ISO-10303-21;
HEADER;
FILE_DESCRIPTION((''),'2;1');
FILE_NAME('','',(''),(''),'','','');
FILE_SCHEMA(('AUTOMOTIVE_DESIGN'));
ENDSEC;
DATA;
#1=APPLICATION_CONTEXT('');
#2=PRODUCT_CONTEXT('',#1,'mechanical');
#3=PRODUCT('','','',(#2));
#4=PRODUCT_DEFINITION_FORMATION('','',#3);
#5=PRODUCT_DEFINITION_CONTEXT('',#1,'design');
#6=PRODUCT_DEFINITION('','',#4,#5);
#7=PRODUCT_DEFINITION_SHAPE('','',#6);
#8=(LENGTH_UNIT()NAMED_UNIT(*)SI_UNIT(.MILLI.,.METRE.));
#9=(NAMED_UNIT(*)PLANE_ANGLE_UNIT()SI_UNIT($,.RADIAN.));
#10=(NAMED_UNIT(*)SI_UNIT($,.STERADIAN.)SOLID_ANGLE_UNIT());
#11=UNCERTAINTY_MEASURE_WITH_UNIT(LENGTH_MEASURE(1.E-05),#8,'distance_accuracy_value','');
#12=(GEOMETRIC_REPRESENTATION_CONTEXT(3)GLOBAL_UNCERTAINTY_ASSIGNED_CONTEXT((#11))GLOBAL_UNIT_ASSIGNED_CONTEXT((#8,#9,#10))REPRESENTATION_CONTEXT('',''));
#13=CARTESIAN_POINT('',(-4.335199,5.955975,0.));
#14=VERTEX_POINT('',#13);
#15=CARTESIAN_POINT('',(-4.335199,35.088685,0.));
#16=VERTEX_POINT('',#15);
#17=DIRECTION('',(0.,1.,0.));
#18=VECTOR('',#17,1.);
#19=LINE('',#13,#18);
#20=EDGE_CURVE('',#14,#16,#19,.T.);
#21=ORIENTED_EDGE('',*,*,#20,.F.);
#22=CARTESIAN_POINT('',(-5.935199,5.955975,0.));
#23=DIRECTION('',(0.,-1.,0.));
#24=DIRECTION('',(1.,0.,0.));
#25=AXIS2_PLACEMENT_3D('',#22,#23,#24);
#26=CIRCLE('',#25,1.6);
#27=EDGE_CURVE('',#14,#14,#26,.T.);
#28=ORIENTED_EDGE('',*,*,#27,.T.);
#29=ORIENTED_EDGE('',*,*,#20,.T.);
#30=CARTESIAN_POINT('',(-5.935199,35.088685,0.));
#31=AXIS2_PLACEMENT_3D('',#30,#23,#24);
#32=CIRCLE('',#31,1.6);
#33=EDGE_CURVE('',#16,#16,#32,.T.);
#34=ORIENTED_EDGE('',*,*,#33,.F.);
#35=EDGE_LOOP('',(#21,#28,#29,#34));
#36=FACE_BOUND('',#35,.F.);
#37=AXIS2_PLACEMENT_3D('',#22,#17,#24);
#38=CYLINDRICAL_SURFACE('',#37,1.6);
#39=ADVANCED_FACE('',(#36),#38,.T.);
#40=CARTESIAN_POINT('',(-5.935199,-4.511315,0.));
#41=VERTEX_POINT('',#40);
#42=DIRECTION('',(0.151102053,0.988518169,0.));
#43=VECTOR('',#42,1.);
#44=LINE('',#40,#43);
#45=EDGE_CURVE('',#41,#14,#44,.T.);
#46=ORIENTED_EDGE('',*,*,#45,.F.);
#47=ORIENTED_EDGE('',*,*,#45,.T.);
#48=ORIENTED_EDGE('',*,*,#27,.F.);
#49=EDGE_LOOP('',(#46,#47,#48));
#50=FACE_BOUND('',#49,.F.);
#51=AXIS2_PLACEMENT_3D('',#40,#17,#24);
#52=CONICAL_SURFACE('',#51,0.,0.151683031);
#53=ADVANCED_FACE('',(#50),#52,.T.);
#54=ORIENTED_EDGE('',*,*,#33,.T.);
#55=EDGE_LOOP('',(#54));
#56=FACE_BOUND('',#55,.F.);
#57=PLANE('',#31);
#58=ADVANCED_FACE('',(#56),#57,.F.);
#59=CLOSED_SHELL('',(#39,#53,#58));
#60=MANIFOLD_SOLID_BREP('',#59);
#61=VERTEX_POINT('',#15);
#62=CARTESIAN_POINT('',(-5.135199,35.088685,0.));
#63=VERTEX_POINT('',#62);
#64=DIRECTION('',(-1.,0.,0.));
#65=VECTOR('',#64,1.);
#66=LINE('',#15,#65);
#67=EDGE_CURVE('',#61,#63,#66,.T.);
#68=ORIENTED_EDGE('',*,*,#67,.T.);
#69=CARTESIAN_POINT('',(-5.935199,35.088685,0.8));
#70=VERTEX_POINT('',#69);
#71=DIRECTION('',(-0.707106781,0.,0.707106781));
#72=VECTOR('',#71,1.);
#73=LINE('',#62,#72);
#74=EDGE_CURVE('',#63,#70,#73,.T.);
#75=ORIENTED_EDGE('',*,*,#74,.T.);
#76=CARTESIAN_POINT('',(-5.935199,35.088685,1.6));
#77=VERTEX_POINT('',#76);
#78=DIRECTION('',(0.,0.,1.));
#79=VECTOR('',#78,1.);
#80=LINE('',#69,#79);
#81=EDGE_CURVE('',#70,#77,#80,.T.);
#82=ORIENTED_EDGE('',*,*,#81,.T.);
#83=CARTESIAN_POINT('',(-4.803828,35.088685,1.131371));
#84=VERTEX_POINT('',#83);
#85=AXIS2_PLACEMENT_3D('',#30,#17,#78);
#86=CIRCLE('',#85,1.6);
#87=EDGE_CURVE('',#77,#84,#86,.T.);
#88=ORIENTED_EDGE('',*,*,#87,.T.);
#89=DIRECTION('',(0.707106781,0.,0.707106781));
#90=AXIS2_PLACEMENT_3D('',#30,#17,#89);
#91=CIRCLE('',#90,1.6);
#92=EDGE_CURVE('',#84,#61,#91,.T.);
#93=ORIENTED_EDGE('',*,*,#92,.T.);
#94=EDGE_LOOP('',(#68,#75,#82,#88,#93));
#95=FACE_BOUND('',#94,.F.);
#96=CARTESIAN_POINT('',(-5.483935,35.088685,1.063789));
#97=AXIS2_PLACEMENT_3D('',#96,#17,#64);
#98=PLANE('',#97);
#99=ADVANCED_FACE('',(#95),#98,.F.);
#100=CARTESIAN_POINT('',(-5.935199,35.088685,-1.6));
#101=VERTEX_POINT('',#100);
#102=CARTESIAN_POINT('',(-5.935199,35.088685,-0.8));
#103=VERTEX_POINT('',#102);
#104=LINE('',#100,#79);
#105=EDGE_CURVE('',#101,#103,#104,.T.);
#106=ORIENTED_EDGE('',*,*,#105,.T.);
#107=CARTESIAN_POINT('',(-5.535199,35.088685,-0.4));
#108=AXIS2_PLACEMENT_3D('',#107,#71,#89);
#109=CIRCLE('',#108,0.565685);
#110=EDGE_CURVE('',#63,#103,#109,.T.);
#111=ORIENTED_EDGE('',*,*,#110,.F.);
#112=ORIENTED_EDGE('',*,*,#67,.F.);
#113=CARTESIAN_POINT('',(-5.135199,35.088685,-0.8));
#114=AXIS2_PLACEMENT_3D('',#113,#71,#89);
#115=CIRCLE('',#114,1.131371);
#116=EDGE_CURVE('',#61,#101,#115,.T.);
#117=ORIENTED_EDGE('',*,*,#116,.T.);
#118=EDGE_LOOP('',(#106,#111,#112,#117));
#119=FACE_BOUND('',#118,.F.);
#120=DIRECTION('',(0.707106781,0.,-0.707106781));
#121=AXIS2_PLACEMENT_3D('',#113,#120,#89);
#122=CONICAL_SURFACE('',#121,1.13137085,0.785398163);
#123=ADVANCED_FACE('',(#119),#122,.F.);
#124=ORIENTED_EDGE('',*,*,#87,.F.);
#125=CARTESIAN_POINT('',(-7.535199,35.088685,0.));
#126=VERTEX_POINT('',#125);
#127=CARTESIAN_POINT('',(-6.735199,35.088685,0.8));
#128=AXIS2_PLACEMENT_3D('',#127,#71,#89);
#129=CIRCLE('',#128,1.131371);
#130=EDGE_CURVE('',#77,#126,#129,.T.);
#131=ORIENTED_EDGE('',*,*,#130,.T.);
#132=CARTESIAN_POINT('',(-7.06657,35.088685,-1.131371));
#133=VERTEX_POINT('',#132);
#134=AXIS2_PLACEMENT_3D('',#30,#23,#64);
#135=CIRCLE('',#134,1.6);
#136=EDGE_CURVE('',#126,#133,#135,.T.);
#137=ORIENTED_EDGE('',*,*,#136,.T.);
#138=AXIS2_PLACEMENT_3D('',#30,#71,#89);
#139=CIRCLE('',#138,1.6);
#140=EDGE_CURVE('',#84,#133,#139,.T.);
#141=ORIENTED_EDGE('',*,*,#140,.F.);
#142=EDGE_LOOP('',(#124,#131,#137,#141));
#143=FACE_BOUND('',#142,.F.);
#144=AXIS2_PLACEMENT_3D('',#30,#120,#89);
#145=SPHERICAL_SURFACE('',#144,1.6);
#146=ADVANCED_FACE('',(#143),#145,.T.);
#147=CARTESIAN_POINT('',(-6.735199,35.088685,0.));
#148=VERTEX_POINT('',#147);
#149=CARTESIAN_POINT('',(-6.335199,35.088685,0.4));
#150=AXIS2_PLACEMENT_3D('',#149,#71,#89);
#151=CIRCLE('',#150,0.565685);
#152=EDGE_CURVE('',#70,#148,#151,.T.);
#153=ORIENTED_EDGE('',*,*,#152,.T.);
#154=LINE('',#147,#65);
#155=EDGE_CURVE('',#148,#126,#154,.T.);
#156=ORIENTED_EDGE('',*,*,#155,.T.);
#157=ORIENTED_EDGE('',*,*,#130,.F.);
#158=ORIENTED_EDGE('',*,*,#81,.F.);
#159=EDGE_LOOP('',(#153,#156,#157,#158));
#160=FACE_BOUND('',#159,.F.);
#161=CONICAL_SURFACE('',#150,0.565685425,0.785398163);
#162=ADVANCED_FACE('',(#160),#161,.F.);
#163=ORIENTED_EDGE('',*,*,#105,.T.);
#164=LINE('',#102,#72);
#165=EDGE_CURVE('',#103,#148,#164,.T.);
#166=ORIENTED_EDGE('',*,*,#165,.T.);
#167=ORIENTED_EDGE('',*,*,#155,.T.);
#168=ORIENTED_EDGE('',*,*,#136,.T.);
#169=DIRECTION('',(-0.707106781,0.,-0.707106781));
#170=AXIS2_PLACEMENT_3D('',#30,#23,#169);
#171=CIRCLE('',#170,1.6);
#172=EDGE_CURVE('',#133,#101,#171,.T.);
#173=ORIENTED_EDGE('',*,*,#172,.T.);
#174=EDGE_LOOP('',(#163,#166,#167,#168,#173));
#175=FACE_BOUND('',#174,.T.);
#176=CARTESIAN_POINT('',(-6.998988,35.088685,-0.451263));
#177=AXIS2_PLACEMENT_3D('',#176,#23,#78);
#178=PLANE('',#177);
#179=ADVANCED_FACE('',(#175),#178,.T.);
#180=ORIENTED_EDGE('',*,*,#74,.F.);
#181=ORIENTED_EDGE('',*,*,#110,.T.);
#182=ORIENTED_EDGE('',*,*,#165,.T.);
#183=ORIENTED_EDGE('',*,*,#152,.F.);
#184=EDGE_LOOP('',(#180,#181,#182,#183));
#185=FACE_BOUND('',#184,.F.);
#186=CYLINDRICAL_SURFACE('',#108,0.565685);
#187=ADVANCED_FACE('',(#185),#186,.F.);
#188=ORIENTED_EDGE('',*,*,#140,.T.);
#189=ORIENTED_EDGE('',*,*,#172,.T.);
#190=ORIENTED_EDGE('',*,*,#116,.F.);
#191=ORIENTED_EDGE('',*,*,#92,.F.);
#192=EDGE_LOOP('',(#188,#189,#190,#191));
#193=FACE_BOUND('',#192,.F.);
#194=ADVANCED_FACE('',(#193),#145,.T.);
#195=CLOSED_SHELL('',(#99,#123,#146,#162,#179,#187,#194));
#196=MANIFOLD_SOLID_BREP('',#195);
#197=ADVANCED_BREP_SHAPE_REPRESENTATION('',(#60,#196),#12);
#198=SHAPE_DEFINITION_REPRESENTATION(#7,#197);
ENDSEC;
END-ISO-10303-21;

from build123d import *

# Parameters (mm, degrees)
F3_ANGLE = 180


with BuildPart() as f1:
    # F0 (on Top) → F1 (revolve)
    with BuildSketch(Plane.XY):
        Polygon((-4.3351986654, 5.9559750371), (-4.3351986654, 35.0886846244), (-5.1351986654, 35.0886846244), (-5.9351986654, 35.0886846244), (-5.9351986654, 31.8886846244), (-5.9351986654, -4.5113153756), align=None)
    revolve(axis=Axis((-5.9351986654, 13.6886846244, 0), (0, -1, 0)))


with BuildPart() as f3:
    # F2 (on face) → F3 (revolve)
    with BuildSketch(Plane(origin=(0, 35.0886846244, 0), x_dir=(-1, 0, 0), z_dir=(0, 1, 0))):
        with BuildLine():
            ThreePointArc((5.9351986654, 1.6), (5.3229051736, 1.478207252), (4.8038278155, 1.1313708499))
            Line((4.8038278155, 1.1313708499), (5.5351986654, 0.4))
            Line((5.5351986654, 0.4), (5.9351986654, 0.8))
            Line((5.9351986654, 0.8), (5.9351986654, 1.6))
        make_face()
        with BuildLine():
            ThreePointArc((4.8038278155, 1.1313708499), (4.4569914134, 0.6122934918), (4.3351986654, 0))
            Line((4.3351986654, 0), (5.1351986654, 0))
            Line((5.1351986654, 0), (5.5351986654, 0.4))
            Line((5.5351986654, 0.4), (4.8038278155, 1.1313708499))
        make_face()
    revolve(axis=Axis((-5.9351986654, 35.0886846244, 0), (-0.7071067812, 0, 0.7071067812)), revolution_arc=F3_ANGLE)


solid = Compound([f1.part, f3.part])
